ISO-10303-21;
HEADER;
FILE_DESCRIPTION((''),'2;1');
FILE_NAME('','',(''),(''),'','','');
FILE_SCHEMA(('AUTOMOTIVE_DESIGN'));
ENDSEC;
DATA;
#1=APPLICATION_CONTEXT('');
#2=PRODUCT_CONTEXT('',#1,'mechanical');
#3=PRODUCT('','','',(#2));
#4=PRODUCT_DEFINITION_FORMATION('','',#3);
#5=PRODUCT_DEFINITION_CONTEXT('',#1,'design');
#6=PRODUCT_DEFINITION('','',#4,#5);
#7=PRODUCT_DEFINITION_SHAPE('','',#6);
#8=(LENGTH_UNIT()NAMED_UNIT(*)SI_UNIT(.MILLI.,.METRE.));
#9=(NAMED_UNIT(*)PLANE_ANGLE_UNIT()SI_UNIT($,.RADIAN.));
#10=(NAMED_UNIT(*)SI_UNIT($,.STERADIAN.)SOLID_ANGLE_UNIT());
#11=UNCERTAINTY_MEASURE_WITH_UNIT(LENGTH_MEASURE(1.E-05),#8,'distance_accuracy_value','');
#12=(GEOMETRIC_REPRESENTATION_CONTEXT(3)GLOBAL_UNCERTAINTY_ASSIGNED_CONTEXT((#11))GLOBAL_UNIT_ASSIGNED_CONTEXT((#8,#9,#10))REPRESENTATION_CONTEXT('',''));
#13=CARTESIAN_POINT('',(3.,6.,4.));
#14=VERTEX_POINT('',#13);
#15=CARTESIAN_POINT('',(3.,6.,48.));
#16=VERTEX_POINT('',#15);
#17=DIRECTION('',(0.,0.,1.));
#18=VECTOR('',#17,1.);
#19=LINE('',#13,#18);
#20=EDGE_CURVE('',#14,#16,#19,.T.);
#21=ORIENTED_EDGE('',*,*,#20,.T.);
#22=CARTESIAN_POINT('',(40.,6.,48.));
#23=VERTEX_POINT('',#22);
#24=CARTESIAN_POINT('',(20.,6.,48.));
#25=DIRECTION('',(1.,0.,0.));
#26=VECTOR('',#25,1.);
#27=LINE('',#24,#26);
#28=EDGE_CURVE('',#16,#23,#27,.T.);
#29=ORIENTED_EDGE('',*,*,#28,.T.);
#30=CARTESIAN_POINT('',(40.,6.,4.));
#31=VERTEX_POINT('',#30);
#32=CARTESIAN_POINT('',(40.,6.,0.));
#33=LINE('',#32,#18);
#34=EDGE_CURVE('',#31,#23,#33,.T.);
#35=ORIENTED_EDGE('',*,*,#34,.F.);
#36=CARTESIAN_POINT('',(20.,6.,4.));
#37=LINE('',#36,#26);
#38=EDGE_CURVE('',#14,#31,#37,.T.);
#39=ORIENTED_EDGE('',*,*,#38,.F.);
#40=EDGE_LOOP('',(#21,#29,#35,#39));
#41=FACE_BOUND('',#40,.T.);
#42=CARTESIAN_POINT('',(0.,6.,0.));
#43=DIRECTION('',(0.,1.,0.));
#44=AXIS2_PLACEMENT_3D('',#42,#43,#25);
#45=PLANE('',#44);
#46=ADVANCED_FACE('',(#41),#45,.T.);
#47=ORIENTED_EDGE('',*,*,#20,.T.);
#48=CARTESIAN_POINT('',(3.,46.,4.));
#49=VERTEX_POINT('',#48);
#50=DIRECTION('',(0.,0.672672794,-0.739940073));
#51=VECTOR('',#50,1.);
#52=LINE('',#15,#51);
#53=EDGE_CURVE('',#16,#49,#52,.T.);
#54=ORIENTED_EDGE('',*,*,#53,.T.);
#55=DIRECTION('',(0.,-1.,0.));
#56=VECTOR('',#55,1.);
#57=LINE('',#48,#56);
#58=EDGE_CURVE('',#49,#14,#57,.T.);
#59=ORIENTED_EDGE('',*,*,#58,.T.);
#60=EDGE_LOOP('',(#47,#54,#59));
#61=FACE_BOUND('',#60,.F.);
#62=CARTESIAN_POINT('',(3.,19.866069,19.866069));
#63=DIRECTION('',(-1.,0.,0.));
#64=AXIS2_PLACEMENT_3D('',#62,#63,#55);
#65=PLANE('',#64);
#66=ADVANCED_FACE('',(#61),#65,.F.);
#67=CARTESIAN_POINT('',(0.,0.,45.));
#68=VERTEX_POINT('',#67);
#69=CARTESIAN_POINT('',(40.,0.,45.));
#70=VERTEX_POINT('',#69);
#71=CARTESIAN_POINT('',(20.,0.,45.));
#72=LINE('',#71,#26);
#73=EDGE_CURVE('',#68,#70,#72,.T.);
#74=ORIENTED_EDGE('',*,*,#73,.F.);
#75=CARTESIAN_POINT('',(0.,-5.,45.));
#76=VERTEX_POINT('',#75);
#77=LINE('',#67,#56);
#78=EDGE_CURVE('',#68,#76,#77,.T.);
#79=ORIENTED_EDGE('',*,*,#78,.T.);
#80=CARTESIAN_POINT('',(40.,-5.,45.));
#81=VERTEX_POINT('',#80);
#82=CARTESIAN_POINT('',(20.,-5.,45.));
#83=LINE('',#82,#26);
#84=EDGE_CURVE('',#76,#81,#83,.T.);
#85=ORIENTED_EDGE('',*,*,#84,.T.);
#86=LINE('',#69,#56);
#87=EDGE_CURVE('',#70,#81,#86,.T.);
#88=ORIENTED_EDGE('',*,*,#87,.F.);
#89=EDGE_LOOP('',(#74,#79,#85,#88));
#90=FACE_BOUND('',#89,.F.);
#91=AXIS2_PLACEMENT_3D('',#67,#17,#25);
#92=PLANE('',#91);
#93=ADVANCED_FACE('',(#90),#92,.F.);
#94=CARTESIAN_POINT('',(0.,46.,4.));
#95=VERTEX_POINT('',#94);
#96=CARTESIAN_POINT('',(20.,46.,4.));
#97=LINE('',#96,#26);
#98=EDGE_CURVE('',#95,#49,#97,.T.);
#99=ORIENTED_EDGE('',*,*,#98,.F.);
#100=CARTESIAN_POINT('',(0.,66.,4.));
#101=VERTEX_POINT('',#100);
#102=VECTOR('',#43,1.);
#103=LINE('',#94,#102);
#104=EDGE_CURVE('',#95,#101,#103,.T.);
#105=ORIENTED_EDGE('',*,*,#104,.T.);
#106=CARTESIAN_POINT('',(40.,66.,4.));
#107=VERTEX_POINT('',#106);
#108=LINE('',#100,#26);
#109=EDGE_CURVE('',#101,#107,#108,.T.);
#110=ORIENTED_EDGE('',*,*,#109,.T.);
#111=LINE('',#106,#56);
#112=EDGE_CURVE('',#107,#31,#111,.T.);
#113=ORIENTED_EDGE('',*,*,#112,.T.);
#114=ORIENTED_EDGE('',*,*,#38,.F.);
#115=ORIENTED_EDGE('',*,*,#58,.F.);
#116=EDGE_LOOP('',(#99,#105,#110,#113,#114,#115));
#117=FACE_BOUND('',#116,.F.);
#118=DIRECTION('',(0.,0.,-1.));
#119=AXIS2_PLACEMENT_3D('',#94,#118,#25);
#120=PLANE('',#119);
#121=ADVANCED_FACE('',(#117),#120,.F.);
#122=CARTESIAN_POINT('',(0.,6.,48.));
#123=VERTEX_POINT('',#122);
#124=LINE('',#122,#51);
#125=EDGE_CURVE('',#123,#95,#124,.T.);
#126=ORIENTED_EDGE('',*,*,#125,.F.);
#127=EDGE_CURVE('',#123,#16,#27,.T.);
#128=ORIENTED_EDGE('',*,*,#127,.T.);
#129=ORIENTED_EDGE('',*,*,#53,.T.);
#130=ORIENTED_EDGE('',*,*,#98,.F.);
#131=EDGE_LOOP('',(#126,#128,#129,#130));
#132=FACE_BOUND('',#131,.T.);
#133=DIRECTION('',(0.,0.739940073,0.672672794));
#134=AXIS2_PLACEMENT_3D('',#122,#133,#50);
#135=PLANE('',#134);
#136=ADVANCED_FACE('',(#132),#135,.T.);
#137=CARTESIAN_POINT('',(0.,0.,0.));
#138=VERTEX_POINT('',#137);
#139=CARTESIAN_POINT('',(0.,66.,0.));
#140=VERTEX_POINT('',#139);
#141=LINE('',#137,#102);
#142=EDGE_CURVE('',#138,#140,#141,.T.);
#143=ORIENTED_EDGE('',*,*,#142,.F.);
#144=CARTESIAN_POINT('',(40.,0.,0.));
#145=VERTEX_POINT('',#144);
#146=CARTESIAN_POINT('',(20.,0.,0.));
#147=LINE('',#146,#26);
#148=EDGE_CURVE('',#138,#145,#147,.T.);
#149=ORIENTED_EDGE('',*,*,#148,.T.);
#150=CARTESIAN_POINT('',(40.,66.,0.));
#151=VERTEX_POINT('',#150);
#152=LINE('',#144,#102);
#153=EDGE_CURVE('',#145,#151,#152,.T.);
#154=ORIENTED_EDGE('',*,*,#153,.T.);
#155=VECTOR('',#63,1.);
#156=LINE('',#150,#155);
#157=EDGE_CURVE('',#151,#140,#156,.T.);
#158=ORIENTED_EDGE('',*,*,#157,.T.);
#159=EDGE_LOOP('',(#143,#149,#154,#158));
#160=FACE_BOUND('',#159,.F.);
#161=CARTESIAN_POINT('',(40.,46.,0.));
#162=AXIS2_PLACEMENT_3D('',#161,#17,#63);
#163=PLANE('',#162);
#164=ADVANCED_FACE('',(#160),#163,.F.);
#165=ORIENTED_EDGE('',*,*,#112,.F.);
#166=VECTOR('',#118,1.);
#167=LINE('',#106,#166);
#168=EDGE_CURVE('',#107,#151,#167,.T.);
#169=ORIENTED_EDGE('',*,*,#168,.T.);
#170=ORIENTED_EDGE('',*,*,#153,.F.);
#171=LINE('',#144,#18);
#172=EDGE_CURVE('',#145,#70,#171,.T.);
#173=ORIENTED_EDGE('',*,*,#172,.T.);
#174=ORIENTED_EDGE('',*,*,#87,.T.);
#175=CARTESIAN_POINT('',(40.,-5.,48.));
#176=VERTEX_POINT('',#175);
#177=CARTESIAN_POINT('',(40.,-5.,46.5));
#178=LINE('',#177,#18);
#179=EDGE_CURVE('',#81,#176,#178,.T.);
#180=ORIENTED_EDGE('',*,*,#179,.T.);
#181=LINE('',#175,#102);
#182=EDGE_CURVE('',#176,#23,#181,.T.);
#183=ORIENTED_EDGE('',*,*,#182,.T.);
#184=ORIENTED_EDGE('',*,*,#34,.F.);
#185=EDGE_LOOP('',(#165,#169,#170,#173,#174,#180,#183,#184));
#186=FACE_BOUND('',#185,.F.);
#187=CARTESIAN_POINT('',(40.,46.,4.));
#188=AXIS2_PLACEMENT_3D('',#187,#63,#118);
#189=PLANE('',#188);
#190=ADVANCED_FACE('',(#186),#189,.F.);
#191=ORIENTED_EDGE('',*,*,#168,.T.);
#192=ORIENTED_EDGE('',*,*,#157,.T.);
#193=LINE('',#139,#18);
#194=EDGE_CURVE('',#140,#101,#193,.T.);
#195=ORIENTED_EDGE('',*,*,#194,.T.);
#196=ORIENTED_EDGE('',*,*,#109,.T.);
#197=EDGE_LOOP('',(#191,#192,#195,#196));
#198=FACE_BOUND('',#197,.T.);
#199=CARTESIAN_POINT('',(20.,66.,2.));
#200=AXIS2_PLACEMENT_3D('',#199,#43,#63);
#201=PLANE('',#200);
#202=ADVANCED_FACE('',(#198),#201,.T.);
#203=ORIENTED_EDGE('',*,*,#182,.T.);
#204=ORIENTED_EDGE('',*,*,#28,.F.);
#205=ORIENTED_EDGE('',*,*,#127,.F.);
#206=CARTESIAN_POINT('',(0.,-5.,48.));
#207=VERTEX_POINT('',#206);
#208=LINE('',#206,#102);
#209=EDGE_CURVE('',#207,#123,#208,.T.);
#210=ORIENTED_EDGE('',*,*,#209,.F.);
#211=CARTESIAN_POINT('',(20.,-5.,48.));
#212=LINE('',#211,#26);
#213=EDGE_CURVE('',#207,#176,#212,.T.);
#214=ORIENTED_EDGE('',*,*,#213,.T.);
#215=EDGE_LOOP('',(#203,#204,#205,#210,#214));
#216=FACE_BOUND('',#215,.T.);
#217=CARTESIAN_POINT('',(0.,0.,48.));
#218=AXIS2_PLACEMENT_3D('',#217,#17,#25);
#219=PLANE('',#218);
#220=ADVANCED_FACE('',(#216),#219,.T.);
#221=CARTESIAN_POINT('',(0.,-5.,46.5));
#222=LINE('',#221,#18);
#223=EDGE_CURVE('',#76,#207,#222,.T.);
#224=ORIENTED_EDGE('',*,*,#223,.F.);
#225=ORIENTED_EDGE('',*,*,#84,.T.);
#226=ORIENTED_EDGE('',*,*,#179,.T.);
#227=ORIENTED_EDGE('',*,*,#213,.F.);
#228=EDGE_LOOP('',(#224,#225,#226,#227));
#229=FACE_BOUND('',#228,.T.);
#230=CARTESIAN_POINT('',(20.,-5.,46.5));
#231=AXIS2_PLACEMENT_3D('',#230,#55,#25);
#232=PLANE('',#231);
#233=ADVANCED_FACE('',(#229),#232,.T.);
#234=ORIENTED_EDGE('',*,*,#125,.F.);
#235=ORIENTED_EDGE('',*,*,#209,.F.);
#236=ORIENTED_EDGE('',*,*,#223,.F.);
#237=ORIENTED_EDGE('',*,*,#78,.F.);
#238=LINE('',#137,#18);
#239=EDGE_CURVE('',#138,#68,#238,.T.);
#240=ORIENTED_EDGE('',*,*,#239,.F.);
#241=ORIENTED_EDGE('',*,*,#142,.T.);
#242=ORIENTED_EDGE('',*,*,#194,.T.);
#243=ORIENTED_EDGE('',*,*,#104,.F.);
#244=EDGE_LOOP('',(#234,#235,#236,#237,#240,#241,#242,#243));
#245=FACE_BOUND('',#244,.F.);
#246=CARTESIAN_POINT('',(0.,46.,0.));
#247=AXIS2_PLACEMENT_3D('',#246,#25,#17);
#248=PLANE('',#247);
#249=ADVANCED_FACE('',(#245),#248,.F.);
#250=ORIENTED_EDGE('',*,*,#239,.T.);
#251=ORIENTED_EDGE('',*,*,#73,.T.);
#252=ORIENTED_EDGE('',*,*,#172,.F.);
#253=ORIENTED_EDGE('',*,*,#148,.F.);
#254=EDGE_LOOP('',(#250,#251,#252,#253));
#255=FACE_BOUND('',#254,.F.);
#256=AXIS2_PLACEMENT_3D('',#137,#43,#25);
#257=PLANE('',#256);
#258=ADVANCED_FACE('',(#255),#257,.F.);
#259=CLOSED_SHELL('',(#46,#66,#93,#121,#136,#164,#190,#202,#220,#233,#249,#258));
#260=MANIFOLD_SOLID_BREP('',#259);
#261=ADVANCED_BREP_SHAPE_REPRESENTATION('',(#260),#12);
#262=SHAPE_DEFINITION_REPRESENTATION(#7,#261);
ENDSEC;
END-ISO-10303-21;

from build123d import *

# Parameters (mm, degrees)
F0_W     = 40
F0_H     = 40
F1_DEPTH = 4
F0_H_2   = 6
F2_DEPTH = 48
F3_W     = 40
F3_H     = 3
F4_DEPTH = 5
F6_DEPTH = 3
F7_DEPTH = 20


with BuildPart() as f1:
    # F0 (on Top) → F1 (new body)
    with BuildSketch(Plane.XY):
        with Locations((20, 26)):
            Rectangle(F0_W, F0_H)
    extrude(amount=F1_DEPTH)

    # F0 (on Top) → F2 (join)
    with BuildSketch(Plane.XY):
        with Locations((20, 3)):
            Rectangle(F0_W, F0_H_2)
    extrude(amount=F2_DEPTH)

    # F3 (on face) → F4 (join)
    with BuildSketch(Plane.XZ):
        with Locations((20, 46.5)):
            Rectangle(F3_W, F3_H)
    extrude(amount=F4_DEPTH)

    # F5 (on face) → F6 (join)
    with BuildSketch(Plane(origin=(0, 0, 0), x_dir=(0, -1, 0), z_dir=(-1, 0, 0))):
        Polygon((-6, 48), (-46, 4), (-6, 4), align=None)
    extrude(amount=-F6_DEPTH)

    # F1_face (on face) → F7 (join)
    with BuildSketch(Plane(origin=(20, 46, 2), x_dir=(-1, 0, 0), z_dir=(0, 1, 0))):
        Polygon((-20, 2), (-20, -2), (20, -2), (20, 2), (17, 2), align=None)
    extrude(amount=F7_DEPTH)


solid = f1.part
